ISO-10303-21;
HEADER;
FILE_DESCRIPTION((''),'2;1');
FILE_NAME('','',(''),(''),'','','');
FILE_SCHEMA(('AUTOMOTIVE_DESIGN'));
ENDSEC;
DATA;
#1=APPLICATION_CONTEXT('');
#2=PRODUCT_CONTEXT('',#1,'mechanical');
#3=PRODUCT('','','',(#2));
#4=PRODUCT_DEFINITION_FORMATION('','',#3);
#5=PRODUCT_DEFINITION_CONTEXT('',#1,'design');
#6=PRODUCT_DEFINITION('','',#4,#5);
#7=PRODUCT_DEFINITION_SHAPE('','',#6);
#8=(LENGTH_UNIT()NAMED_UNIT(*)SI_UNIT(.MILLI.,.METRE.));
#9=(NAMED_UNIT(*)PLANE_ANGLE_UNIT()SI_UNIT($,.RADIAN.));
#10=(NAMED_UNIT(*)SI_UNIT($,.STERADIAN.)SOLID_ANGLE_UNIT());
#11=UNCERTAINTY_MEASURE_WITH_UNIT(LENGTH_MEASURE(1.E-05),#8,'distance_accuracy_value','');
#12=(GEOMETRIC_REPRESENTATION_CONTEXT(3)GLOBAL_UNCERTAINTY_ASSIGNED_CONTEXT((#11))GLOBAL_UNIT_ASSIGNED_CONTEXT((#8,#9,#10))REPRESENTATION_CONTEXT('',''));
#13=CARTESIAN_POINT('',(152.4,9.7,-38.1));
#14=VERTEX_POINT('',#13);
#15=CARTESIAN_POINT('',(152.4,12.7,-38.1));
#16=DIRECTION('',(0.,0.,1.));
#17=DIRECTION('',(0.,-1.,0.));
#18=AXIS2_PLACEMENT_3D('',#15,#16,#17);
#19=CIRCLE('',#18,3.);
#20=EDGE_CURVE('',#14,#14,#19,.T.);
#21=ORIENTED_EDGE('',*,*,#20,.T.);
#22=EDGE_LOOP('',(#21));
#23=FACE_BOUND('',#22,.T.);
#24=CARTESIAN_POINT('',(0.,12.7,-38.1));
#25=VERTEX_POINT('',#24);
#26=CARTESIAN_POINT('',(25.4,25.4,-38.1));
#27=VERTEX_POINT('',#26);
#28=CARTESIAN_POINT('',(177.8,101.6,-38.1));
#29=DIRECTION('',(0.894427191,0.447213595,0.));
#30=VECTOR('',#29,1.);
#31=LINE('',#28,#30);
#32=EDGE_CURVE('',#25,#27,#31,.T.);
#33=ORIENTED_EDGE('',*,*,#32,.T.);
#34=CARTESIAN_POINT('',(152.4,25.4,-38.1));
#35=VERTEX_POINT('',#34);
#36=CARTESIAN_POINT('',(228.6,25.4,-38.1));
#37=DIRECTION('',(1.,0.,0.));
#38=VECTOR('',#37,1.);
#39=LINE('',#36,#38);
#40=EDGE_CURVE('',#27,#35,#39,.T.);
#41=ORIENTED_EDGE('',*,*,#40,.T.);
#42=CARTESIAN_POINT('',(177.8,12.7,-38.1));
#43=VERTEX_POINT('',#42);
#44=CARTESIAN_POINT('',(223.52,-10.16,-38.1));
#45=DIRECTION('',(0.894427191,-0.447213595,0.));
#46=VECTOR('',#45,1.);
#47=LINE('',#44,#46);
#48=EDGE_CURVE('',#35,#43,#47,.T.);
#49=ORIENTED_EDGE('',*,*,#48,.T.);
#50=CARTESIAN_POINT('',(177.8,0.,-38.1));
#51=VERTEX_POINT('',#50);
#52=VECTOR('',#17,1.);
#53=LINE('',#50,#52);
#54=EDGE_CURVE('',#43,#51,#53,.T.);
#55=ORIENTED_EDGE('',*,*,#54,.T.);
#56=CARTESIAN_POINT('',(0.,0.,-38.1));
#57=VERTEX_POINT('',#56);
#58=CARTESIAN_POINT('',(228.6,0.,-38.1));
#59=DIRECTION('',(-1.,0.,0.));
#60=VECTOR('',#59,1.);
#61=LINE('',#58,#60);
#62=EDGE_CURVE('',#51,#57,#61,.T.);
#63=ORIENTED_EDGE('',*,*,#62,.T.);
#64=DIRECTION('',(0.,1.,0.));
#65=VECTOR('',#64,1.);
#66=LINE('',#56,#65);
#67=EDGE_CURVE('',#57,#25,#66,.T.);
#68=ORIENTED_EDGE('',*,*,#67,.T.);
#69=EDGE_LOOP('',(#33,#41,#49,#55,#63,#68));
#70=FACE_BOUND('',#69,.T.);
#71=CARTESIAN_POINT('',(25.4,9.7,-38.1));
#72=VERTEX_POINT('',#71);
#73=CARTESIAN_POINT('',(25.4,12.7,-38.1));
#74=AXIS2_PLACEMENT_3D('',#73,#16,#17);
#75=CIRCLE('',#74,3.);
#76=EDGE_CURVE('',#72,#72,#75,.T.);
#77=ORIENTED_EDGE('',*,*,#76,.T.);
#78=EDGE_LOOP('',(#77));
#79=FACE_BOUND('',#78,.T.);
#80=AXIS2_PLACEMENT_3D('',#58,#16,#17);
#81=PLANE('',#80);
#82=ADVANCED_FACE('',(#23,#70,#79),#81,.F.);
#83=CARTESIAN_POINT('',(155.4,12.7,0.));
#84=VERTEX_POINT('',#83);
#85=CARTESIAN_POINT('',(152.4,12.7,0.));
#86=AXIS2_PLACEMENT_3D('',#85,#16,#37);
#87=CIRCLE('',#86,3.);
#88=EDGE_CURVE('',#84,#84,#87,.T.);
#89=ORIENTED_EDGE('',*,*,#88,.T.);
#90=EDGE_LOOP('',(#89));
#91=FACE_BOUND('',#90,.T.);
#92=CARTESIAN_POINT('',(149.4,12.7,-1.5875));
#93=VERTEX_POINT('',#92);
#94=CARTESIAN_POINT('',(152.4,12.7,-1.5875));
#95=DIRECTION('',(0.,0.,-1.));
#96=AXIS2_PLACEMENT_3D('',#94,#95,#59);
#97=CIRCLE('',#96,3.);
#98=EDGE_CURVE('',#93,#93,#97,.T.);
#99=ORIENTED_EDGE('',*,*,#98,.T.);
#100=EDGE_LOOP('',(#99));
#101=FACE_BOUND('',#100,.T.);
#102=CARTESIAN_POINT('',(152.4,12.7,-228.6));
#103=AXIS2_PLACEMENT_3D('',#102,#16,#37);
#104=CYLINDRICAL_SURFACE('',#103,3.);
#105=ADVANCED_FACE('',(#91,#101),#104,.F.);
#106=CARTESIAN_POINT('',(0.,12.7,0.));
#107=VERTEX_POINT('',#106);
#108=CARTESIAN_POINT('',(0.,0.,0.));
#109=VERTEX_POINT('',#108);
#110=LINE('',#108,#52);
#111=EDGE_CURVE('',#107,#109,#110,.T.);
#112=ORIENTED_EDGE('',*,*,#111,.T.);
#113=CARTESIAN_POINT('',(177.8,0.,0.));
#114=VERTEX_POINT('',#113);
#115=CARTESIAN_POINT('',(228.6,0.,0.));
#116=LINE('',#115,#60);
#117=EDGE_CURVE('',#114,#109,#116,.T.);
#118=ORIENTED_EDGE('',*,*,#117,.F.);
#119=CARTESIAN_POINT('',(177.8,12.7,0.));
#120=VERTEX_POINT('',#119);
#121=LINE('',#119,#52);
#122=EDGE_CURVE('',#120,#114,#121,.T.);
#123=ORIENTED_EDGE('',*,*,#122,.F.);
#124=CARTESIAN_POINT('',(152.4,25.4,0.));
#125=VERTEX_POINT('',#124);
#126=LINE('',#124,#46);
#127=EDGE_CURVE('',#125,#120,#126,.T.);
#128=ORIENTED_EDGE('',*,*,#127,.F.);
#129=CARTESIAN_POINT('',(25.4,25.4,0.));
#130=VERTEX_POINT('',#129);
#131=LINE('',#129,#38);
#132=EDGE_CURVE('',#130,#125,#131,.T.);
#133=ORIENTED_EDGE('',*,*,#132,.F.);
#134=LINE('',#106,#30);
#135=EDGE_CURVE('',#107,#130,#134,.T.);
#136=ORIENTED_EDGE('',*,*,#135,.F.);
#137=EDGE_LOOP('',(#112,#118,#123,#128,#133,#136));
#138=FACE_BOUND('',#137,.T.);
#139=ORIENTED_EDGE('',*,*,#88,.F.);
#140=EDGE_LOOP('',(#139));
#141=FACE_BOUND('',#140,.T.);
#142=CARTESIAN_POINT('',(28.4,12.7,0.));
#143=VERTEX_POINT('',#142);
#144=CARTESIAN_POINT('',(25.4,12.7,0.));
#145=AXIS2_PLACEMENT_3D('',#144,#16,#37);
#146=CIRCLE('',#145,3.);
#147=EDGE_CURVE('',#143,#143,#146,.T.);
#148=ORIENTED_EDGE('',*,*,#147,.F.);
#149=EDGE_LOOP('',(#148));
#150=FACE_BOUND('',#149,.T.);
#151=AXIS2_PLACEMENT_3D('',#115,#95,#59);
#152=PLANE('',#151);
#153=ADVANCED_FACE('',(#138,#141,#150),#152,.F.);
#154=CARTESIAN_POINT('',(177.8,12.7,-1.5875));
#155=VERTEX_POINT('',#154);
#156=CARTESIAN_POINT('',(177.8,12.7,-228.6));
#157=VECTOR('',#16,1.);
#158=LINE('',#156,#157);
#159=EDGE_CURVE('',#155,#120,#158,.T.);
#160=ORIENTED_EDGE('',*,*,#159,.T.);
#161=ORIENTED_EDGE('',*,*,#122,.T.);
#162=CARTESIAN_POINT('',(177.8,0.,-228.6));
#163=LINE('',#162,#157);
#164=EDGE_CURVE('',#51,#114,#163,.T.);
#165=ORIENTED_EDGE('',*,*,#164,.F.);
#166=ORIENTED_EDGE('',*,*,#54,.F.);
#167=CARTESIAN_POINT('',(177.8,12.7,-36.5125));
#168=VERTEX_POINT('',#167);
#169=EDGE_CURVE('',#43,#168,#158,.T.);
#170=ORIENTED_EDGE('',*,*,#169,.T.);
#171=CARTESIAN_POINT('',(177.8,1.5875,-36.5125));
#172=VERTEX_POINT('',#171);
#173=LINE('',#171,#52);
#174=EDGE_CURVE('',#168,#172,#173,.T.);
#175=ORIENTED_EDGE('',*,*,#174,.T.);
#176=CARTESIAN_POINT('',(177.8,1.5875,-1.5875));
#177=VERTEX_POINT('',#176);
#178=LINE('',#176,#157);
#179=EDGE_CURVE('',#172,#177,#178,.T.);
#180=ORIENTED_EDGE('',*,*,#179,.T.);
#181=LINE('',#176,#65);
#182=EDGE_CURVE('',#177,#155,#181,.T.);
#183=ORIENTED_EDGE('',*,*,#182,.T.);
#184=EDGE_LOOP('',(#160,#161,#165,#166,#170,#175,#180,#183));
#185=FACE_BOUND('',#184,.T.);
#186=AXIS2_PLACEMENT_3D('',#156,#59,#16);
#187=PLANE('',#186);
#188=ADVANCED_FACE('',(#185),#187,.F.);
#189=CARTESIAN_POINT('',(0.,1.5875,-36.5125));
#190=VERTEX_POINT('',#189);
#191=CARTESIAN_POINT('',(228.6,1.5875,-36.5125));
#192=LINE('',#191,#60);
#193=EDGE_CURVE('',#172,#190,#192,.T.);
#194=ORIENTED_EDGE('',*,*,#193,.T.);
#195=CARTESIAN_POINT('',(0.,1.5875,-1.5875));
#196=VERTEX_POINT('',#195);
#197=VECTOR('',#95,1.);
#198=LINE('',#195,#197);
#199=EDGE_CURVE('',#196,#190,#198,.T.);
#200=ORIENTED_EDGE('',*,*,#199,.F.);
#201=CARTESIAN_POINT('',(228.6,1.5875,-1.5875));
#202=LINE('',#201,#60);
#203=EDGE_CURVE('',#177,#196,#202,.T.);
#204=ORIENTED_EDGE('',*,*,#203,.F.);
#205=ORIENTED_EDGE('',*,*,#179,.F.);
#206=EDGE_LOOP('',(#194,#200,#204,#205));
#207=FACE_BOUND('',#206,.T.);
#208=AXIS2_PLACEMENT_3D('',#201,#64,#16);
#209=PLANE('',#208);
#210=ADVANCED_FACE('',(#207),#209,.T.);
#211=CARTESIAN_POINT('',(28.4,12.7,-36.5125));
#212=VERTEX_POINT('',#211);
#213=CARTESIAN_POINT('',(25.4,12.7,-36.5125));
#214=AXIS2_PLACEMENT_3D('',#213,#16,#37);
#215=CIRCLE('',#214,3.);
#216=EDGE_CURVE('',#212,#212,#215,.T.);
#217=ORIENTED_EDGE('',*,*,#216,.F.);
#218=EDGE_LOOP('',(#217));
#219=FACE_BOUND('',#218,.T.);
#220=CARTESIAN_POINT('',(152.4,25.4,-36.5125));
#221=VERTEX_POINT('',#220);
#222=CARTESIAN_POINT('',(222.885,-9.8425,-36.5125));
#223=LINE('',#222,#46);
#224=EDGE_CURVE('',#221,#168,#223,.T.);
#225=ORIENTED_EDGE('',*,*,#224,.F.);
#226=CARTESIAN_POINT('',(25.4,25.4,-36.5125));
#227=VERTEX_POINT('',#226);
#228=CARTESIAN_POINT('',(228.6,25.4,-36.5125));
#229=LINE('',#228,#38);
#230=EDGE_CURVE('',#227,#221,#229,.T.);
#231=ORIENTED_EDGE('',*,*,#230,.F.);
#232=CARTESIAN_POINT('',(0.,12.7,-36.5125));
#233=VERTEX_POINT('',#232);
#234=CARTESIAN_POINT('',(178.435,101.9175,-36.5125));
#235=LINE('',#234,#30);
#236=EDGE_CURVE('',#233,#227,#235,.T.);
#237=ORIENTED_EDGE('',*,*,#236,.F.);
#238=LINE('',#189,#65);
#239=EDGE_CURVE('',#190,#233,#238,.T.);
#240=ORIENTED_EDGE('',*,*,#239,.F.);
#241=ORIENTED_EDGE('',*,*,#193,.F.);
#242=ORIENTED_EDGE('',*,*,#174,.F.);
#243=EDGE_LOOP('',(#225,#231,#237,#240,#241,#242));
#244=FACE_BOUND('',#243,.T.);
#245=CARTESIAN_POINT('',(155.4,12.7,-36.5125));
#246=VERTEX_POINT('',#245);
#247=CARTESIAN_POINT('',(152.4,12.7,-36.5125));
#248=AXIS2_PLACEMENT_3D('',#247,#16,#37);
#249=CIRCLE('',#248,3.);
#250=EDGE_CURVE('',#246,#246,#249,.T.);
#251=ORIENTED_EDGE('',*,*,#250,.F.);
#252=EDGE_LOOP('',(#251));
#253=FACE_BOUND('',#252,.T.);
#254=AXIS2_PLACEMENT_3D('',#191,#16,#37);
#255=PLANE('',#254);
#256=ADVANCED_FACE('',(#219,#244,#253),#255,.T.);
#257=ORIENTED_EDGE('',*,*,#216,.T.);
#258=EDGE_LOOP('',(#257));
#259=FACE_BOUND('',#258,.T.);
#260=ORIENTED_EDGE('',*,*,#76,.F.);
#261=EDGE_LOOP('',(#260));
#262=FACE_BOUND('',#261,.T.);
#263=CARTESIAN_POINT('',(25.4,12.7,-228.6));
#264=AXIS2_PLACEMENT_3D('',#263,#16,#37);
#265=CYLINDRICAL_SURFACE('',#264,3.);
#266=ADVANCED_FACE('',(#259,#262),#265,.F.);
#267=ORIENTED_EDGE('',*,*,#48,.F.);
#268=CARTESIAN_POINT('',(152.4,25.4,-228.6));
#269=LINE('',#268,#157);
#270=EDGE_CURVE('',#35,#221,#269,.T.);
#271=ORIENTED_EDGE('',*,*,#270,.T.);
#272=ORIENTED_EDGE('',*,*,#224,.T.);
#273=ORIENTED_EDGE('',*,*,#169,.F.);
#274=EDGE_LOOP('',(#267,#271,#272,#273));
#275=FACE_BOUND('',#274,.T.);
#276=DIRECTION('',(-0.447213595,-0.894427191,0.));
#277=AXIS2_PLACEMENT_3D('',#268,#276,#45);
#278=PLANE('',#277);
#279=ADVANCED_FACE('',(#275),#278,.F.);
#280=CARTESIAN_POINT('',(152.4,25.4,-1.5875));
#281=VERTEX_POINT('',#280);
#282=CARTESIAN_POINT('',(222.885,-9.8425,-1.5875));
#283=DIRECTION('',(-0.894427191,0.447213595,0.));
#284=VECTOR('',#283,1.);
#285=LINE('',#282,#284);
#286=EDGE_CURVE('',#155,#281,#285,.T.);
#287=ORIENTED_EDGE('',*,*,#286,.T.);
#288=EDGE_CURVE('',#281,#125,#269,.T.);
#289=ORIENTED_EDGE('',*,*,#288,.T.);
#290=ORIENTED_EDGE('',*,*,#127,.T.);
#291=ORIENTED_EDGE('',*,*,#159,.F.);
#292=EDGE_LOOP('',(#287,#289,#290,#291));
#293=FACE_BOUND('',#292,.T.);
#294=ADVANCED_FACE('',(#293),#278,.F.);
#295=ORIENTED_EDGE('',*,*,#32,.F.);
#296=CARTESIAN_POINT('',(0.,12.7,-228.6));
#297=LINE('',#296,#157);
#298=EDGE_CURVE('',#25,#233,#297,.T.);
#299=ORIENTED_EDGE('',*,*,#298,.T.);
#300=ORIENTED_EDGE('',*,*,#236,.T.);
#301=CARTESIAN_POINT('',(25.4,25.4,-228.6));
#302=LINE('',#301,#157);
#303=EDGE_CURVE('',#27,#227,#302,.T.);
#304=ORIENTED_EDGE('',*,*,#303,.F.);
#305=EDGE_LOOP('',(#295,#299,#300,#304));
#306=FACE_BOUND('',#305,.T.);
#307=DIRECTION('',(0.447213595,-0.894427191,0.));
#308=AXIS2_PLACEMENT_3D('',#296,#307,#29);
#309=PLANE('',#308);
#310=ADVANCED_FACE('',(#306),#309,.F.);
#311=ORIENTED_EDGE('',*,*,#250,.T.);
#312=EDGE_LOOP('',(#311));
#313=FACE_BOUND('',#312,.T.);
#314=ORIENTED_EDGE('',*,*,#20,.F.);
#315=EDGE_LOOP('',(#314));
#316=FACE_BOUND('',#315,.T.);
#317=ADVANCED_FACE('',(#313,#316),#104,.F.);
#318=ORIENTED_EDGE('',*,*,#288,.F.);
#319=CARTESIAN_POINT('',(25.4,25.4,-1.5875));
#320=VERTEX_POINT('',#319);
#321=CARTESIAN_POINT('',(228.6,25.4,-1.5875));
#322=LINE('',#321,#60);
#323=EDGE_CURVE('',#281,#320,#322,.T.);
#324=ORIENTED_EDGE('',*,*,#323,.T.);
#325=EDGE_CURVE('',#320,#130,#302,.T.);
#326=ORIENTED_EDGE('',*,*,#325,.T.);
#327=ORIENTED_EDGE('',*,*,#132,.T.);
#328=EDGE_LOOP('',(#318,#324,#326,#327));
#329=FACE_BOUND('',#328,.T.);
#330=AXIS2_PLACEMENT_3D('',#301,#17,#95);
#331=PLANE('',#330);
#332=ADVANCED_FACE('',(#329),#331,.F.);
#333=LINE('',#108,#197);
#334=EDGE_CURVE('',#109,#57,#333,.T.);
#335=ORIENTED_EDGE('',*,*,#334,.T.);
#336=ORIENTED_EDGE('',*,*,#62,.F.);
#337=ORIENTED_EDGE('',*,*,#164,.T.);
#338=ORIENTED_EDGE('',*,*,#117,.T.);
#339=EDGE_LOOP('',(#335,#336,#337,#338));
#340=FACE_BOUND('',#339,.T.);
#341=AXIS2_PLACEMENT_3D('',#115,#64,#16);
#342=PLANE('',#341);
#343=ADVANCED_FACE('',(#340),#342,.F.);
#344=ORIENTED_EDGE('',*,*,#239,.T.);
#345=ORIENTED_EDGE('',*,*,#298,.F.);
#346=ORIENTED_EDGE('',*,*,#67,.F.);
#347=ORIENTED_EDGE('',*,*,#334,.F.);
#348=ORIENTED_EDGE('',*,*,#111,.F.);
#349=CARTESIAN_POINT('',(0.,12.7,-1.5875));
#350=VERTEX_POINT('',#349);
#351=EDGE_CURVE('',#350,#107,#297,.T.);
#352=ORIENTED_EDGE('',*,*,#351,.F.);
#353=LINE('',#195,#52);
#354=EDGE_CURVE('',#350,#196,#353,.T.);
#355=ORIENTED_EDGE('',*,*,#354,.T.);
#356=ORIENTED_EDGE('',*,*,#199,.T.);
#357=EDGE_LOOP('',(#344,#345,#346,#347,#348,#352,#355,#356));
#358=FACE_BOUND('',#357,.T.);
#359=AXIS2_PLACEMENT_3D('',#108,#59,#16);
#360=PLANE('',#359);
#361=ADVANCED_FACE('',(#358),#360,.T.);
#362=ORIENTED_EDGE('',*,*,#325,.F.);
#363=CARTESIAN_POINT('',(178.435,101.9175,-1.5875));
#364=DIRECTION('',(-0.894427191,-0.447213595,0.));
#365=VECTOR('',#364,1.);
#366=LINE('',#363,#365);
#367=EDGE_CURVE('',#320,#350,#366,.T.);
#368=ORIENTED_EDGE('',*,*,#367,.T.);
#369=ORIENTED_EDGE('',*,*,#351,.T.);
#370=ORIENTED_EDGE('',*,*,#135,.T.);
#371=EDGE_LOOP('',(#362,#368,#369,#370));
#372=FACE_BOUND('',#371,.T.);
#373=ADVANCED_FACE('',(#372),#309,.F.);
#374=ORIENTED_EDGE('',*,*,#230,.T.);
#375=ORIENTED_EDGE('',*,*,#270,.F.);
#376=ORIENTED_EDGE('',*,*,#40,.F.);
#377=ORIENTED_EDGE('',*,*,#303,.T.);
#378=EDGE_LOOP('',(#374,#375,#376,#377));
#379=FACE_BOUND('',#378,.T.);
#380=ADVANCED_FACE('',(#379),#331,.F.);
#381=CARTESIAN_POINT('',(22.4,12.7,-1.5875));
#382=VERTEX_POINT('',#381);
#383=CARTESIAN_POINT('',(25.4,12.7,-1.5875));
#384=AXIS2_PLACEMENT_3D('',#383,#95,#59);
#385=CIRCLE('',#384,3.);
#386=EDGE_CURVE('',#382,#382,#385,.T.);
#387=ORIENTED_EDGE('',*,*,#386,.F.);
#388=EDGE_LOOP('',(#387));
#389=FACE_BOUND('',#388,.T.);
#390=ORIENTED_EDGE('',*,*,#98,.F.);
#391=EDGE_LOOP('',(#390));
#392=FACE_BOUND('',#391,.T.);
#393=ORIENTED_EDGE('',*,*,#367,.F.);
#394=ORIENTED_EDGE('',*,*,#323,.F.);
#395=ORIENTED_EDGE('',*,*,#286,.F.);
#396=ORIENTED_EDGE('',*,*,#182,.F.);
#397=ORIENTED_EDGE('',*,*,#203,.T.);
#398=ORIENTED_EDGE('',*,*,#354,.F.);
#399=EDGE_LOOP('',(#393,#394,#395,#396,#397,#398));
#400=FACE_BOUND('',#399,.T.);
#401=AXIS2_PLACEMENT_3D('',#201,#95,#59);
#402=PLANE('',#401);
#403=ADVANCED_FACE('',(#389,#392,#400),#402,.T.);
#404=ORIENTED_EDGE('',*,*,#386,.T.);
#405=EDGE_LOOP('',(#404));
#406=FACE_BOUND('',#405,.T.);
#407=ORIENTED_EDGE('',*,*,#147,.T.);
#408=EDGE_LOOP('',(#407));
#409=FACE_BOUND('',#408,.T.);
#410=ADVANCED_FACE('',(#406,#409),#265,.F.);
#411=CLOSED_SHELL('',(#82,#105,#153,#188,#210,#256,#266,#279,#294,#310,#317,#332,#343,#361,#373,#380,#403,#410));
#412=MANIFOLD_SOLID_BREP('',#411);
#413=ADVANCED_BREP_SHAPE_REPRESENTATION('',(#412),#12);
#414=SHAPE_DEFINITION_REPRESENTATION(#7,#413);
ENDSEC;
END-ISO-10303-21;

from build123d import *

# Parameters (mm, degrees)
SKETCH2_W           = 38.1
SKETCH2_H           = 38.1
SKETCH2_W_2         = 34.925
SKETCH2_H_2         = 34.925
BOSS_EXTRUDE1_DEPTH = 228.6
SKETCH3_R           = 3
CUT_EXTRUDE1_DEPTH  = 228.6


with BuildPart() as part:
    # Sketch2 → Boss-Extrude1 (new body)
    with BuildSketch(Plane(origin=(0, 0, 0), x_dir=(0, 0, -1), z_dir=(1, 0, 0))):
        with Locations((19.05, 19.05)):
            Rectangle(SKETCH2_W, SKETCH2_H)
        with Locations((19.05, 19.05)):
            Rectangle(SKETCH2_W_2, SKETCH2_H_2, mode=Mode.SUBTRACT)
    extrude(amount=BOSS_EXTRUDE1_DEPTH)

    # Sketch3 → Cut-Extrude1 (cut)
    with BuildSketch(Plane.XY):
        with Locations((25.4, 12.7)):
            Circle(SKETCH3_R)
        with Locations((152.4, 12.7)):
            Circle(SKETCH3_R)
        Polygon((0, 12.7), (25.4, 25.4), (152.4, 25.4), (177.8, 12.7), (177.8, 0), (228.6, 0), (228.6, 38.1), (0, 38.1), align=None)
    extrude(amount=-CUT_EXTRUDE1_DEPTH, mode=Mode.SUBTRACT)


solid = part.part
